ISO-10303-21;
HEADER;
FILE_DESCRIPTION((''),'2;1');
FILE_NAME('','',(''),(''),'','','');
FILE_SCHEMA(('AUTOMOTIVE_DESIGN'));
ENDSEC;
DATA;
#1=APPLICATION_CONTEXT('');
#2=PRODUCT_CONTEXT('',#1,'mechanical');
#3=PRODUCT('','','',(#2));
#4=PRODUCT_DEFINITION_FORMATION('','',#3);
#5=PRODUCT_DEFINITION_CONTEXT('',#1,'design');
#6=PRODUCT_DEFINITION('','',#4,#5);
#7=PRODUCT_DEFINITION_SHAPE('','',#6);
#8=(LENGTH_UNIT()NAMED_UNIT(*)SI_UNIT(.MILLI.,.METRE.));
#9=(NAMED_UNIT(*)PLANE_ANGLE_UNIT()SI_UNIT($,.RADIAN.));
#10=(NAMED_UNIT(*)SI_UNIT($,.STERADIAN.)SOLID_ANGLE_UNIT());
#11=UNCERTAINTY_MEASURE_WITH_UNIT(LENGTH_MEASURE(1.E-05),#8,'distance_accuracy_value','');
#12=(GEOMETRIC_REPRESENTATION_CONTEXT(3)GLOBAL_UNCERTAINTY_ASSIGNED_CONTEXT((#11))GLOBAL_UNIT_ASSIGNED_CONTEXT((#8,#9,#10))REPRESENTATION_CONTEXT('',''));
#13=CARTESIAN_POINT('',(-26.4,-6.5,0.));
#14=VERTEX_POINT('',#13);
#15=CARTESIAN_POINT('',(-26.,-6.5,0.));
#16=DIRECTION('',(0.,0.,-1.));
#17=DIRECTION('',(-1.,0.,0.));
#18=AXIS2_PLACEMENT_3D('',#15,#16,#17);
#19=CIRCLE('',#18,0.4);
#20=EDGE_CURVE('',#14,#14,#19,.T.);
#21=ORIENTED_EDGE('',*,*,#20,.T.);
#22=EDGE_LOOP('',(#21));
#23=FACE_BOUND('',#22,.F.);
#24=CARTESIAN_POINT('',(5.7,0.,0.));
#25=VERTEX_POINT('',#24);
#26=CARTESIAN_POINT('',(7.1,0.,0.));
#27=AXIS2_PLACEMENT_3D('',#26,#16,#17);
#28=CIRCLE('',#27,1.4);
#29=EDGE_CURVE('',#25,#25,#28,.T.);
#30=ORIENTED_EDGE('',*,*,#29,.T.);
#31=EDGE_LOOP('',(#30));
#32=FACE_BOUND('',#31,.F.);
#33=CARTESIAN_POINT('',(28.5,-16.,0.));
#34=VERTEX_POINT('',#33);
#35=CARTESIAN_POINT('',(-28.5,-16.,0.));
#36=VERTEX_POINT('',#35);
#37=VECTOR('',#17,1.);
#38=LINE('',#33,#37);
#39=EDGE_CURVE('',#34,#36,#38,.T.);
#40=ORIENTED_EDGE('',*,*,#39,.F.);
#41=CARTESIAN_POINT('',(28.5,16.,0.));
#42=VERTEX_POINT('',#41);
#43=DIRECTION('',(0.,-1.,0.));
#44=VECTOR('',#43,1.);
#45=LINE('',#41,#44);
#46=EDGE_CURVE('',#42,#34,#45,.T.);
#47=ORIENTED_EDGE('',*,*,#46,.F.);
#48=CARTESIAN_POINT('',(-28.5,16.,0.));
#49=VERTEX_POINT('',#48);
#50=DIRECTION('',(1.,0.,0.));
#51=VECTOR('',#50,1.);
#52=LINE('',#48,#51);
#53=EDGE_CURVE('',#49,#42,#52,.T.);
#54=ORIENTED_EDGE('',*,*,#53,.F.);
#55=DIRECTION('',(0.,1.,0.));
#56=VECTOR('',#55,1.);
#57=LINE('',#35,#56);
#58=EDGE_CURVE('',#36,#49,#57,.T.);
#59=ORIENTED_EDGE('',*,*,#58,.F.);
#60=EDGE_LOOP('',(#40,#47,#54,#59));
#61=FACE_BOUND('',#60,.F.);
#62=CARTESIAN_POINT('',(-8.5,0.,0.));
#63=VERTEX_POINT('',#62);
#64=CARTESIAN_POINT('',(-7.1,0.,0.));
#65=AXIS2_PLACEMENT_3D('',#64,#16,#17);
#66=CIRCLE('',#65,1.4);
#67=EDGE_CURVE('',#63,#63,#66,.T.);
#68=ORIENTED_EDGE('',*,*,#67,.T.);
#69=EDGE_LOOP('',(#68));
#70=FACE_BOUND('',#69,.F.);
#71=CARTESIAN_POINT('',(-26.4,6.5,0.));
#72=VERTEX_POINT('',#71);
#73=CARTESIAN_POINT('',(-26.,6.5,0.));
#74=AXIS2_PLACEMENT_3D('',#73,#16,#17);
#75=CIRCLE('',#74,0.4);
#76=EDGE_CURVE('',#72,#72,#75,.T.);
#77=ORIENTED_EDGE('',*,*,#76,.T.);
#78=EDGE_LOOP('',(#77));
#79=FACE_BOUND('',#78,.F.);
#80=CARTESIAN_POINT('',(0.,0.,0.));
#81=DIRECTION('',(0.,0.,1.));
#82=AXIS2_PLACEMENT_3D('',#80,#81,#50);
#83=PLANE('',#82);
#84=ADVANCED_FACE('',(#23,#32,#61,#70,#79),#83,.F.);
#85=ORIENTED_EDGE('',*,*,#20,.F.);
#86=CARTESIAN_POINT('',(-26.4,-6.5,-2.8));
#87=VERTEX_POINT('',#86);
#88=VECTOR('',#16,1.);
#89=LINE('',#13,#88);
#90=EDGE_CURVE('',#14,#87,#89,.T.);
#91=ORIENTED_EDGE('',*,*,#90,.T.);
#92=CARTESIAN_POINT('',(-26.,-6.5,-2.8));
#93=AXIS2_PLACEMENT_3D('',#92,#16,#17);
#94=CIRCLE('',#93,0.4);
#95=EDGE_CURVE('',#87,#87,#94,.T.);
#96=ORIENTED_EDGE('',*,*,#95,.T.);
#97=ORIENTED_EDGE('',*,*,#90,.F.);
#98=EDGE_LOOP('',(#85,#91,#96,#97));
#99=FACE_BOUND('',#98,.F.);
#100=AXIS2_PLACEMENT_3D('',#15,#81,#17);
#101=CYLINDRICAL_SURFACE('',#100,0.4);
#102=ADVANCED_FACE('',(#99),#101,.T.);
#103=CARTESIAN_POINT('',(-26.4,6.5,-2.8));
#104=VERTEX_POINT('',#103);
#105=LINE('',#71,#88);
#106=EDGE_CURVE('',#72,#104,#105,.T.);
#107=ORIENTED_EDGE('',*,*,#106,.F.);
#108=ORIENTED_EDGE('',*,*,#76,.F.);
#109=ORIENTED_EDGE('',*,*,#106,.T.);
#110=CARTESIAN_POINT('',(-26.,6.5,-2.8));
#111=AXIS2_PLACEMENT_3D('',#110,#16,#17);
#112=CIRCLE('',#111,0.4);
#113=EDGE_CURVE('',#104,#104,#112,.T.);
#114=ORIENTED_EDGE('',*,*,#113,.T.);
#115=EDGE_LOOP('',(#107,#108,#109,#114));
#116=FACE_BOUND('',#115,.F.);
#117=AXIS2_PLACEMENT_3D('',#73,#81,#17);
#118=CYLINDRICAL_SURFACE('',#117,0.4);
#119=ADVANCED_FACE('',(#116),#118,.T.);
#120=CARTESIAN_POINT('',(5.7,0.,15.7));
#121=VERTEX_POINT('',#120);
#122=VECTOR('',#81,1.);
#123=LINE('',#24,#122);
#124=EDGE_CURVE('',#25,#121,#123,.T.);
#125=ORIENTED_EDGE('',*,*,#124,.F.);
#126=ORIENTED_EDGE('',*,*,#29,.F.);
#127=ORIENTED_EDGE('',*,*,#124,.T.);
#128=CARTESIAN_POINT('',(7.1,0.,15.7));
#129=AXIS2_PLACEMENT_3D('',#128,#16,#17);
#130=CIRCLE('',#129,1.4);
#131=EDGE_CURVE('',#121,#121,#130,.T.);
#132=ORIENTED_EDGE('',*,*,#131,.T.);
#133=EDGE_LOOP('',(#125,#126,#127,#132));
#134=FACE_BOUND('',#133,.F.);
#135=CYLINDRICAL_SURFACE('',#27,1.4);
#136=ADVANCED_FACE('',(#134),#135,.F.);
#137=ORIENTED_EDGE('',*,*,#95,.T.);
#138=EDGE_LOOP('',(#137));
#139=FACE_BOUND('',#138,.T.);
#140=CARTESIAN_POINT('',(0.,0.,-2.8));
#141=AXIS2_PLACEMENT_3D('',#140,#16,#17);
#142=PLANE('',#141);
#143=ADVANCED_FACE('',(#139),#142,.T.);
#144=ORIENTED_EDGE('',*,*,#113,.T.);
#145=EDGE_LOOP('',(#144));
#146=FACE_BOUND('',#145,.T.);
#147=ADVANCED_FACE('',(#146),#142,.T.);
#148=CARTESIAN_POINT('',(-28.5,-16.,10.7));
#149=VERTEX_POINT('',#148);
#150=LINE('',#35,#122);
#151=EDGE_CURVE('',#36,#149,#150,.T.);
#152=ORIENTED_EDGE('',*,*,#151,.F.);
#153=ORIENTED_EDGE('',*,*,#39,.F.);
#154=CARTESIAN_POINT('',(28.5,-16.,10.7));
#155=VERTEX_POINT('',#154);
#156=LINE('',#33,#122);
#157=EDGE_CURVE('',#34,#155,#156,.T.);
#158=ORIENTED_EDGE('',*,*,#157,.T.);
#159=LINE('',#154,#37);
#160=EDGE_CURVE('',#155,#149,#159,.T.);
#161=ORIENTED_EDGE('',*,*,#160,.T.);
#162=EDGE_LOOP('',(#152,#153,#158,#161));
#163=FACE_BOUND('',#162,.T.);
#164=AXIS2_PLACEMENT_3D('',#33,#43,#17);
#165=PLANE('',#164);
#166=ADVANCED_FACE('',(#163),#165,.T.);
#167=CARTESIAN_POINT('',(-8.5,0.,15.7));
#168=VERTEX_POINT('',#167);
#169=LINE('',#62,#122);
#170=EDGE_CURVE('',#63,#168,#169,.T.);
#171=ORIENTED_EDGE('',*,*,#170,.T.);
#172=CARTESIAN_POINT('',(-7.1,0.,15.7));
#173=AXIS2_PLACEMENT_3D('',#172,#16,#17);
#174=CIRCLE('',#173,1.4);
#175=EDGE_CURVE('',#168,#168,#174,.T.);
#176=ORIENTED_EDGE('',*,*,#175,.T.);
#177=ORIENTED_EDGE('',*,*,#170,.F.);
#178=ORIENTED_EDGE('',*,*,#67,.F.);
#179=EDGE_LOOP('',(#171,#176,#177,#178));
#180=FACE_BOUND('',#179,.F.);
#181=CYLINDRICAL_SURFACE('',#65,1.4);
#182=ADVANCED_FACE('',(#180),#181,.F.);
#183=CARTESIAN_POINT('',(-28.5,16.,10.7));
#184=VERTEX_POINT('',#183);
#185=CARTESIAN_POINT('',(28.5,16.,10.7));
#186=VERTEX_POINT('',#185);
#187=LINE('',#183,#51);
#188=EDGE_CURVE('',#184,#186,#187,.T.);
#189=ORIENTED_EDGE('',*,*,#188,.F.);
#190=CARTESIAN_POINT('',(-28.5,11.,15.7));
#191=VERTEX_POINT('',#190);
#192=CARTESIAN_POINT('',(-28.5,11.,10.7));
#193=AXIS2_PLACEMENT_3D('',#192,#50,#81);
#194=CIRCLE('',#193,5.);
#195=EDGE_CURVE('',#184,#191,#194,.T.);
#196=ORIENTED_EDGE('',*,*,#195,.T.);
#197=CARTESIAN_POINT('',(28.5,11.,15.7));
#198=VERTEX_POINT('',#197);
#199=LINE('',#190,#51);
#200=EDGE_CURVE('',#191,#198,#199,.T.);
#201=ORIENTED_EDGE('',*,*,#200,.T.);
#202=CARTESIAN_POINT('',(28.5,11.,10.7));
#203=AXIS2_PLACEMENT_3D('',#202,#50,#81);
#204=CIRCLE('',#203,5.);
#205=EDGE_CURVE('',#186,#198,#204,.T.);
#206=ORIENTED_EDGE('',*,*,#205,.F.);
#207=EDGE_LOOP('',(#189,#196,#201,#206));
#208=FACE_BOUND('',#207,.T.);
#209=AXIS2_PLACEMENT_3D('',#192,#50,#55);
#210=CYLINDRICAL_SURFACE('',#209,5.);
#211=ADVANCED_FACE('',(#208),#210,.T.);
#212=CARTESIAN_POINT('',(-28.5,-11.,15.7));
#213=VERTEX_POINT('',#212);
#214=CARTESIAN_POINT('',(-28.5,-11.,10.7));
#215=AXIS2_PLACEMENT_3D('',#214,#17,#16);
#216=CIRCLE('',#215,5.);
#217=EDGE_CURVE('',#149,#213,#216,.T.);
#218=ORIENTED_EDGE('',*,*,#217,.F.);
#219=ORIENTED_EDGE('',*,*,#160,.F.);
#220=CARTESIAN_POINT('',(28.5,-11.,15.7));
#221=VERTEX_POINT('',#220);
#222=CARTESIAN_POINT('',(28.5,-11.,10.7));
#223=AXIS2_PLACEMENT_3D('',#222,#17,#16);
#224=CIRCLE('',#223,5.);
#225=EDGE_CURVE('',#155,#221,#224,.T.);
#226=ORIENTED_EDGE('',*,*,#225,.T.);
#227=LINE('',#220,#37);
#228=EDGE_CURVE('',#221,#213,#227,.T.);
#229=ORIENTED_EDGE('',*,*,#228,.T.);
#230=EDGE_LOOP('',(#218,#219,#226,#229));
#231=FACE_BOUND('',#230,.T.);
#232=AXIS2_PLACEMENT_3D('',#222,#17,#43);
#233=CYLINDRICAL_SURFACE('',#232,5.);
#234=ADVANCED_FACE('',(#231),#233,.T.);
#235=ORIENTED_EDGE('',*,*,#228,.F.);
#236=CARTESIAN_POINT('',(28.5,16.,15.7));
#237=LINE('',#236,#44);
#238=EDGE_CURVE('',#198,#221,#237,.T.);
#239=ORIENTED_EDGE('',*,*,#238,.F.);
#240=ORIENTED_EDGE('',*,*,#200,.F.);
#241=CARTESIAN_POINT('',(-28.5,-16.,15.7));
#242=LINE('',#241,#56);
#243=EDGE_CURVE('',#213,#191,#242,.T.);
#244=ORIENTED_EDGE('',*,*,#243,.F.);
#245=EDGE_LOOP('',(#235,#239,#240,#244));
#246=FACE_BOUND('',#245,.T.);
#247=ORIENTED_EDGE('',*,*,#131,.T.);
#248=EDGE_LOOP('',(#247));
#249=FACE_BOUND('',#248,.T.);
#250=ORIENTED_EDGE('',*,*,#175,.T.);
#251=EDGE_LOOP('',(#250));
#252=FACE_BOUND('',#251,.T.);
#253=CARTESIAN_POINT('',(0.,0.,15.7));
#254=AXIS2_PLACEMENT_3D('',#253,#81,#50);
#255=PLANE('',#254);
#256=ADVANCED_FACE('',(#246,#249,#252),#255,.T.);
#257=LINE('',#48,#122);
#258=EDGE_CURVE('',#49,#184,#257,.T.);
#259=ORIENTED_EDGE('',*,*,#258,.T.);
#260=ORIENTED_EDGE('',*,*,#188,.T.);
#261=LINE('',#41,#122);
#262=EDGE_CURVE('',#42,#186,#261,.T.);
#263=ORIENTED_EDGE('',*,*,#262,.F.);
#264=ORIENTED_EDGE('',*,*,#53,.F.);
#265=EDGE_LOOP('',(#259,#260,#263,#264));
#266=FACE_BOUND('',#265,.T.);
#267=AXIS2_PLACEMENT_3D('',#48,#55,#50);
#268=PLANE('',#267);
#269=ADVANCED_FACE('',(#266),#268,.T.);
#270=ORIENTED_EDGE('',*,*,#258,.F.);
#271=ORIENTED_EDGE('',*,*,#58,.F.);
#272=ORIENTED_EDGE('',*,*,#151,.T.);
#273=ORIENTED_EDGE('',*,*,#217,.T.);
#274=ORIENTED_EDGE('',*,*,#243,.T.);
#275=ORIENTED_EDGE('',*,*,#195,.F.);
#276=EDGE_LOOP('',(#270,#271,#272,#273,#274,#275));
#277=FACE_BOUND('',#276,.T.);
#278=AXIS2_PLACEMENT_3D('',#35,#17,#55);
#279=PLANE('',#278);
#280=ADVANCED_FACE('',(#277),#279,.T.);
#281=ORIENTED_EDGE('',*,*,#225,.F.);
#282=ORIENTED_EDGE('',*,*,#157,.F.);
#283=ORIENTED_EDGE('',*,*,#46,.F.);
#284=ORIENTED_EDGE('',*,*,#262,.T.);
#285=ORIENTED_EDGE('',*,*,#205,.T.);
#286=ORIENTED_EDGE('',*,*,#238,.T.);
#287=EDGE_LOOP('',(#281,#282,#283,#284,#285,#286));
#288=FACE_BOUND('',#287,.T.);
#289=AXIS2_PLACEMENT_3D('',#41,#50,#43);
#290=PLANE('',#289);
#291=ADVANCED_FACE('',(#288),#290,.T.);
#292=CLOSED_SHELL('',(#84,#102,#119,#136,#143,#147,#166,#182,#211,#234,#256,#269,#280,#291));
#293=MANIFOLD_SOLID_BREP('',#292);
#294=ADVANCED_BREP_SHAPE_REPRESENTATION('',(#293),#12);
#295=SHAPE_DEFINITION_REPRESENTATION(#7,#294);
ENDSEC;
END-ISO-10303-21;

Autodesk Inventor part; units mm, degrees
ref_plane "YZ Plane" through (0, 0, 0) normal (1, 0, 0) x (0, 1, 0)
ref_plane "XZ Plane" through (0, 0, 0) normal (0, 1, 0) x (-1, 0, 0)
ref_plane "XY Plane" through (0, 0, 0) normal (0, 0, 1) x (1, 0, 0)
sketch "スケッチ1" plane through (0, 0, 0) normal (0, 0, 1) x (1, 0, 0)
  line L0 (-28.5, 16) -> (28.5, 16)
  line L1 (28.5, 16) -> (28.5, -16)
  line L2 (28.5, -16) -> (-28.5, -16)
  line L3 (-28.5, -16) -> (-28.5, 16)
  point P0 (0, 0)
  point P1 (-28.5, 0)
  point P2 (0, 16)
  dimension "d0" = 57
  dimension "d1" = 32
extrude "押し出し1" add sketch "スケッチ1" along normal blind 15.7
fillet "フィレット1" radius 5 2 edges at (0, 16, 15.7) (0, -16, 15.7)
sketch "スケッチ2" plane through (0, 0, 0) normal (0, 0, -1) x (-1, 0, 0)
  line L0 (26, 20.4284) -> (26, -20.6337) construction
  line L1 (0, 0) -> (36.4083, 0) construction
  line L2 (28.5, 16) -> (28.5, -16) construction
  circle A0 centre (26, 6.5) radius 0.4
  circle A1 centre (26, -6.5) radius 0.4
  dimension "d5" = 2.5
  dimension "d6" = 0.8
  dimension "d7" = 13
extrude "押し出し2" add sketch "スケッチ2" along normal blind 2.8
sketch "スケッチ3" plane through (0, 0, 0) normal (0, 0, -1) x (-1, 0, 0)
  circle A0 centre (-7.1, 0) radius 1.4
  circle A1 centre (7.1, 0) radius 1.4
  point P0 (0, 0)
  dimension "d10" = 2.8
  dimension "d11" = 7.1
  dimension "d12" = 7.1
extrude "押し出し3" cut sketch "スケッチ3" against normal through all
equation "\"d12\" = d11"
properties part number "BH321-1P24"
